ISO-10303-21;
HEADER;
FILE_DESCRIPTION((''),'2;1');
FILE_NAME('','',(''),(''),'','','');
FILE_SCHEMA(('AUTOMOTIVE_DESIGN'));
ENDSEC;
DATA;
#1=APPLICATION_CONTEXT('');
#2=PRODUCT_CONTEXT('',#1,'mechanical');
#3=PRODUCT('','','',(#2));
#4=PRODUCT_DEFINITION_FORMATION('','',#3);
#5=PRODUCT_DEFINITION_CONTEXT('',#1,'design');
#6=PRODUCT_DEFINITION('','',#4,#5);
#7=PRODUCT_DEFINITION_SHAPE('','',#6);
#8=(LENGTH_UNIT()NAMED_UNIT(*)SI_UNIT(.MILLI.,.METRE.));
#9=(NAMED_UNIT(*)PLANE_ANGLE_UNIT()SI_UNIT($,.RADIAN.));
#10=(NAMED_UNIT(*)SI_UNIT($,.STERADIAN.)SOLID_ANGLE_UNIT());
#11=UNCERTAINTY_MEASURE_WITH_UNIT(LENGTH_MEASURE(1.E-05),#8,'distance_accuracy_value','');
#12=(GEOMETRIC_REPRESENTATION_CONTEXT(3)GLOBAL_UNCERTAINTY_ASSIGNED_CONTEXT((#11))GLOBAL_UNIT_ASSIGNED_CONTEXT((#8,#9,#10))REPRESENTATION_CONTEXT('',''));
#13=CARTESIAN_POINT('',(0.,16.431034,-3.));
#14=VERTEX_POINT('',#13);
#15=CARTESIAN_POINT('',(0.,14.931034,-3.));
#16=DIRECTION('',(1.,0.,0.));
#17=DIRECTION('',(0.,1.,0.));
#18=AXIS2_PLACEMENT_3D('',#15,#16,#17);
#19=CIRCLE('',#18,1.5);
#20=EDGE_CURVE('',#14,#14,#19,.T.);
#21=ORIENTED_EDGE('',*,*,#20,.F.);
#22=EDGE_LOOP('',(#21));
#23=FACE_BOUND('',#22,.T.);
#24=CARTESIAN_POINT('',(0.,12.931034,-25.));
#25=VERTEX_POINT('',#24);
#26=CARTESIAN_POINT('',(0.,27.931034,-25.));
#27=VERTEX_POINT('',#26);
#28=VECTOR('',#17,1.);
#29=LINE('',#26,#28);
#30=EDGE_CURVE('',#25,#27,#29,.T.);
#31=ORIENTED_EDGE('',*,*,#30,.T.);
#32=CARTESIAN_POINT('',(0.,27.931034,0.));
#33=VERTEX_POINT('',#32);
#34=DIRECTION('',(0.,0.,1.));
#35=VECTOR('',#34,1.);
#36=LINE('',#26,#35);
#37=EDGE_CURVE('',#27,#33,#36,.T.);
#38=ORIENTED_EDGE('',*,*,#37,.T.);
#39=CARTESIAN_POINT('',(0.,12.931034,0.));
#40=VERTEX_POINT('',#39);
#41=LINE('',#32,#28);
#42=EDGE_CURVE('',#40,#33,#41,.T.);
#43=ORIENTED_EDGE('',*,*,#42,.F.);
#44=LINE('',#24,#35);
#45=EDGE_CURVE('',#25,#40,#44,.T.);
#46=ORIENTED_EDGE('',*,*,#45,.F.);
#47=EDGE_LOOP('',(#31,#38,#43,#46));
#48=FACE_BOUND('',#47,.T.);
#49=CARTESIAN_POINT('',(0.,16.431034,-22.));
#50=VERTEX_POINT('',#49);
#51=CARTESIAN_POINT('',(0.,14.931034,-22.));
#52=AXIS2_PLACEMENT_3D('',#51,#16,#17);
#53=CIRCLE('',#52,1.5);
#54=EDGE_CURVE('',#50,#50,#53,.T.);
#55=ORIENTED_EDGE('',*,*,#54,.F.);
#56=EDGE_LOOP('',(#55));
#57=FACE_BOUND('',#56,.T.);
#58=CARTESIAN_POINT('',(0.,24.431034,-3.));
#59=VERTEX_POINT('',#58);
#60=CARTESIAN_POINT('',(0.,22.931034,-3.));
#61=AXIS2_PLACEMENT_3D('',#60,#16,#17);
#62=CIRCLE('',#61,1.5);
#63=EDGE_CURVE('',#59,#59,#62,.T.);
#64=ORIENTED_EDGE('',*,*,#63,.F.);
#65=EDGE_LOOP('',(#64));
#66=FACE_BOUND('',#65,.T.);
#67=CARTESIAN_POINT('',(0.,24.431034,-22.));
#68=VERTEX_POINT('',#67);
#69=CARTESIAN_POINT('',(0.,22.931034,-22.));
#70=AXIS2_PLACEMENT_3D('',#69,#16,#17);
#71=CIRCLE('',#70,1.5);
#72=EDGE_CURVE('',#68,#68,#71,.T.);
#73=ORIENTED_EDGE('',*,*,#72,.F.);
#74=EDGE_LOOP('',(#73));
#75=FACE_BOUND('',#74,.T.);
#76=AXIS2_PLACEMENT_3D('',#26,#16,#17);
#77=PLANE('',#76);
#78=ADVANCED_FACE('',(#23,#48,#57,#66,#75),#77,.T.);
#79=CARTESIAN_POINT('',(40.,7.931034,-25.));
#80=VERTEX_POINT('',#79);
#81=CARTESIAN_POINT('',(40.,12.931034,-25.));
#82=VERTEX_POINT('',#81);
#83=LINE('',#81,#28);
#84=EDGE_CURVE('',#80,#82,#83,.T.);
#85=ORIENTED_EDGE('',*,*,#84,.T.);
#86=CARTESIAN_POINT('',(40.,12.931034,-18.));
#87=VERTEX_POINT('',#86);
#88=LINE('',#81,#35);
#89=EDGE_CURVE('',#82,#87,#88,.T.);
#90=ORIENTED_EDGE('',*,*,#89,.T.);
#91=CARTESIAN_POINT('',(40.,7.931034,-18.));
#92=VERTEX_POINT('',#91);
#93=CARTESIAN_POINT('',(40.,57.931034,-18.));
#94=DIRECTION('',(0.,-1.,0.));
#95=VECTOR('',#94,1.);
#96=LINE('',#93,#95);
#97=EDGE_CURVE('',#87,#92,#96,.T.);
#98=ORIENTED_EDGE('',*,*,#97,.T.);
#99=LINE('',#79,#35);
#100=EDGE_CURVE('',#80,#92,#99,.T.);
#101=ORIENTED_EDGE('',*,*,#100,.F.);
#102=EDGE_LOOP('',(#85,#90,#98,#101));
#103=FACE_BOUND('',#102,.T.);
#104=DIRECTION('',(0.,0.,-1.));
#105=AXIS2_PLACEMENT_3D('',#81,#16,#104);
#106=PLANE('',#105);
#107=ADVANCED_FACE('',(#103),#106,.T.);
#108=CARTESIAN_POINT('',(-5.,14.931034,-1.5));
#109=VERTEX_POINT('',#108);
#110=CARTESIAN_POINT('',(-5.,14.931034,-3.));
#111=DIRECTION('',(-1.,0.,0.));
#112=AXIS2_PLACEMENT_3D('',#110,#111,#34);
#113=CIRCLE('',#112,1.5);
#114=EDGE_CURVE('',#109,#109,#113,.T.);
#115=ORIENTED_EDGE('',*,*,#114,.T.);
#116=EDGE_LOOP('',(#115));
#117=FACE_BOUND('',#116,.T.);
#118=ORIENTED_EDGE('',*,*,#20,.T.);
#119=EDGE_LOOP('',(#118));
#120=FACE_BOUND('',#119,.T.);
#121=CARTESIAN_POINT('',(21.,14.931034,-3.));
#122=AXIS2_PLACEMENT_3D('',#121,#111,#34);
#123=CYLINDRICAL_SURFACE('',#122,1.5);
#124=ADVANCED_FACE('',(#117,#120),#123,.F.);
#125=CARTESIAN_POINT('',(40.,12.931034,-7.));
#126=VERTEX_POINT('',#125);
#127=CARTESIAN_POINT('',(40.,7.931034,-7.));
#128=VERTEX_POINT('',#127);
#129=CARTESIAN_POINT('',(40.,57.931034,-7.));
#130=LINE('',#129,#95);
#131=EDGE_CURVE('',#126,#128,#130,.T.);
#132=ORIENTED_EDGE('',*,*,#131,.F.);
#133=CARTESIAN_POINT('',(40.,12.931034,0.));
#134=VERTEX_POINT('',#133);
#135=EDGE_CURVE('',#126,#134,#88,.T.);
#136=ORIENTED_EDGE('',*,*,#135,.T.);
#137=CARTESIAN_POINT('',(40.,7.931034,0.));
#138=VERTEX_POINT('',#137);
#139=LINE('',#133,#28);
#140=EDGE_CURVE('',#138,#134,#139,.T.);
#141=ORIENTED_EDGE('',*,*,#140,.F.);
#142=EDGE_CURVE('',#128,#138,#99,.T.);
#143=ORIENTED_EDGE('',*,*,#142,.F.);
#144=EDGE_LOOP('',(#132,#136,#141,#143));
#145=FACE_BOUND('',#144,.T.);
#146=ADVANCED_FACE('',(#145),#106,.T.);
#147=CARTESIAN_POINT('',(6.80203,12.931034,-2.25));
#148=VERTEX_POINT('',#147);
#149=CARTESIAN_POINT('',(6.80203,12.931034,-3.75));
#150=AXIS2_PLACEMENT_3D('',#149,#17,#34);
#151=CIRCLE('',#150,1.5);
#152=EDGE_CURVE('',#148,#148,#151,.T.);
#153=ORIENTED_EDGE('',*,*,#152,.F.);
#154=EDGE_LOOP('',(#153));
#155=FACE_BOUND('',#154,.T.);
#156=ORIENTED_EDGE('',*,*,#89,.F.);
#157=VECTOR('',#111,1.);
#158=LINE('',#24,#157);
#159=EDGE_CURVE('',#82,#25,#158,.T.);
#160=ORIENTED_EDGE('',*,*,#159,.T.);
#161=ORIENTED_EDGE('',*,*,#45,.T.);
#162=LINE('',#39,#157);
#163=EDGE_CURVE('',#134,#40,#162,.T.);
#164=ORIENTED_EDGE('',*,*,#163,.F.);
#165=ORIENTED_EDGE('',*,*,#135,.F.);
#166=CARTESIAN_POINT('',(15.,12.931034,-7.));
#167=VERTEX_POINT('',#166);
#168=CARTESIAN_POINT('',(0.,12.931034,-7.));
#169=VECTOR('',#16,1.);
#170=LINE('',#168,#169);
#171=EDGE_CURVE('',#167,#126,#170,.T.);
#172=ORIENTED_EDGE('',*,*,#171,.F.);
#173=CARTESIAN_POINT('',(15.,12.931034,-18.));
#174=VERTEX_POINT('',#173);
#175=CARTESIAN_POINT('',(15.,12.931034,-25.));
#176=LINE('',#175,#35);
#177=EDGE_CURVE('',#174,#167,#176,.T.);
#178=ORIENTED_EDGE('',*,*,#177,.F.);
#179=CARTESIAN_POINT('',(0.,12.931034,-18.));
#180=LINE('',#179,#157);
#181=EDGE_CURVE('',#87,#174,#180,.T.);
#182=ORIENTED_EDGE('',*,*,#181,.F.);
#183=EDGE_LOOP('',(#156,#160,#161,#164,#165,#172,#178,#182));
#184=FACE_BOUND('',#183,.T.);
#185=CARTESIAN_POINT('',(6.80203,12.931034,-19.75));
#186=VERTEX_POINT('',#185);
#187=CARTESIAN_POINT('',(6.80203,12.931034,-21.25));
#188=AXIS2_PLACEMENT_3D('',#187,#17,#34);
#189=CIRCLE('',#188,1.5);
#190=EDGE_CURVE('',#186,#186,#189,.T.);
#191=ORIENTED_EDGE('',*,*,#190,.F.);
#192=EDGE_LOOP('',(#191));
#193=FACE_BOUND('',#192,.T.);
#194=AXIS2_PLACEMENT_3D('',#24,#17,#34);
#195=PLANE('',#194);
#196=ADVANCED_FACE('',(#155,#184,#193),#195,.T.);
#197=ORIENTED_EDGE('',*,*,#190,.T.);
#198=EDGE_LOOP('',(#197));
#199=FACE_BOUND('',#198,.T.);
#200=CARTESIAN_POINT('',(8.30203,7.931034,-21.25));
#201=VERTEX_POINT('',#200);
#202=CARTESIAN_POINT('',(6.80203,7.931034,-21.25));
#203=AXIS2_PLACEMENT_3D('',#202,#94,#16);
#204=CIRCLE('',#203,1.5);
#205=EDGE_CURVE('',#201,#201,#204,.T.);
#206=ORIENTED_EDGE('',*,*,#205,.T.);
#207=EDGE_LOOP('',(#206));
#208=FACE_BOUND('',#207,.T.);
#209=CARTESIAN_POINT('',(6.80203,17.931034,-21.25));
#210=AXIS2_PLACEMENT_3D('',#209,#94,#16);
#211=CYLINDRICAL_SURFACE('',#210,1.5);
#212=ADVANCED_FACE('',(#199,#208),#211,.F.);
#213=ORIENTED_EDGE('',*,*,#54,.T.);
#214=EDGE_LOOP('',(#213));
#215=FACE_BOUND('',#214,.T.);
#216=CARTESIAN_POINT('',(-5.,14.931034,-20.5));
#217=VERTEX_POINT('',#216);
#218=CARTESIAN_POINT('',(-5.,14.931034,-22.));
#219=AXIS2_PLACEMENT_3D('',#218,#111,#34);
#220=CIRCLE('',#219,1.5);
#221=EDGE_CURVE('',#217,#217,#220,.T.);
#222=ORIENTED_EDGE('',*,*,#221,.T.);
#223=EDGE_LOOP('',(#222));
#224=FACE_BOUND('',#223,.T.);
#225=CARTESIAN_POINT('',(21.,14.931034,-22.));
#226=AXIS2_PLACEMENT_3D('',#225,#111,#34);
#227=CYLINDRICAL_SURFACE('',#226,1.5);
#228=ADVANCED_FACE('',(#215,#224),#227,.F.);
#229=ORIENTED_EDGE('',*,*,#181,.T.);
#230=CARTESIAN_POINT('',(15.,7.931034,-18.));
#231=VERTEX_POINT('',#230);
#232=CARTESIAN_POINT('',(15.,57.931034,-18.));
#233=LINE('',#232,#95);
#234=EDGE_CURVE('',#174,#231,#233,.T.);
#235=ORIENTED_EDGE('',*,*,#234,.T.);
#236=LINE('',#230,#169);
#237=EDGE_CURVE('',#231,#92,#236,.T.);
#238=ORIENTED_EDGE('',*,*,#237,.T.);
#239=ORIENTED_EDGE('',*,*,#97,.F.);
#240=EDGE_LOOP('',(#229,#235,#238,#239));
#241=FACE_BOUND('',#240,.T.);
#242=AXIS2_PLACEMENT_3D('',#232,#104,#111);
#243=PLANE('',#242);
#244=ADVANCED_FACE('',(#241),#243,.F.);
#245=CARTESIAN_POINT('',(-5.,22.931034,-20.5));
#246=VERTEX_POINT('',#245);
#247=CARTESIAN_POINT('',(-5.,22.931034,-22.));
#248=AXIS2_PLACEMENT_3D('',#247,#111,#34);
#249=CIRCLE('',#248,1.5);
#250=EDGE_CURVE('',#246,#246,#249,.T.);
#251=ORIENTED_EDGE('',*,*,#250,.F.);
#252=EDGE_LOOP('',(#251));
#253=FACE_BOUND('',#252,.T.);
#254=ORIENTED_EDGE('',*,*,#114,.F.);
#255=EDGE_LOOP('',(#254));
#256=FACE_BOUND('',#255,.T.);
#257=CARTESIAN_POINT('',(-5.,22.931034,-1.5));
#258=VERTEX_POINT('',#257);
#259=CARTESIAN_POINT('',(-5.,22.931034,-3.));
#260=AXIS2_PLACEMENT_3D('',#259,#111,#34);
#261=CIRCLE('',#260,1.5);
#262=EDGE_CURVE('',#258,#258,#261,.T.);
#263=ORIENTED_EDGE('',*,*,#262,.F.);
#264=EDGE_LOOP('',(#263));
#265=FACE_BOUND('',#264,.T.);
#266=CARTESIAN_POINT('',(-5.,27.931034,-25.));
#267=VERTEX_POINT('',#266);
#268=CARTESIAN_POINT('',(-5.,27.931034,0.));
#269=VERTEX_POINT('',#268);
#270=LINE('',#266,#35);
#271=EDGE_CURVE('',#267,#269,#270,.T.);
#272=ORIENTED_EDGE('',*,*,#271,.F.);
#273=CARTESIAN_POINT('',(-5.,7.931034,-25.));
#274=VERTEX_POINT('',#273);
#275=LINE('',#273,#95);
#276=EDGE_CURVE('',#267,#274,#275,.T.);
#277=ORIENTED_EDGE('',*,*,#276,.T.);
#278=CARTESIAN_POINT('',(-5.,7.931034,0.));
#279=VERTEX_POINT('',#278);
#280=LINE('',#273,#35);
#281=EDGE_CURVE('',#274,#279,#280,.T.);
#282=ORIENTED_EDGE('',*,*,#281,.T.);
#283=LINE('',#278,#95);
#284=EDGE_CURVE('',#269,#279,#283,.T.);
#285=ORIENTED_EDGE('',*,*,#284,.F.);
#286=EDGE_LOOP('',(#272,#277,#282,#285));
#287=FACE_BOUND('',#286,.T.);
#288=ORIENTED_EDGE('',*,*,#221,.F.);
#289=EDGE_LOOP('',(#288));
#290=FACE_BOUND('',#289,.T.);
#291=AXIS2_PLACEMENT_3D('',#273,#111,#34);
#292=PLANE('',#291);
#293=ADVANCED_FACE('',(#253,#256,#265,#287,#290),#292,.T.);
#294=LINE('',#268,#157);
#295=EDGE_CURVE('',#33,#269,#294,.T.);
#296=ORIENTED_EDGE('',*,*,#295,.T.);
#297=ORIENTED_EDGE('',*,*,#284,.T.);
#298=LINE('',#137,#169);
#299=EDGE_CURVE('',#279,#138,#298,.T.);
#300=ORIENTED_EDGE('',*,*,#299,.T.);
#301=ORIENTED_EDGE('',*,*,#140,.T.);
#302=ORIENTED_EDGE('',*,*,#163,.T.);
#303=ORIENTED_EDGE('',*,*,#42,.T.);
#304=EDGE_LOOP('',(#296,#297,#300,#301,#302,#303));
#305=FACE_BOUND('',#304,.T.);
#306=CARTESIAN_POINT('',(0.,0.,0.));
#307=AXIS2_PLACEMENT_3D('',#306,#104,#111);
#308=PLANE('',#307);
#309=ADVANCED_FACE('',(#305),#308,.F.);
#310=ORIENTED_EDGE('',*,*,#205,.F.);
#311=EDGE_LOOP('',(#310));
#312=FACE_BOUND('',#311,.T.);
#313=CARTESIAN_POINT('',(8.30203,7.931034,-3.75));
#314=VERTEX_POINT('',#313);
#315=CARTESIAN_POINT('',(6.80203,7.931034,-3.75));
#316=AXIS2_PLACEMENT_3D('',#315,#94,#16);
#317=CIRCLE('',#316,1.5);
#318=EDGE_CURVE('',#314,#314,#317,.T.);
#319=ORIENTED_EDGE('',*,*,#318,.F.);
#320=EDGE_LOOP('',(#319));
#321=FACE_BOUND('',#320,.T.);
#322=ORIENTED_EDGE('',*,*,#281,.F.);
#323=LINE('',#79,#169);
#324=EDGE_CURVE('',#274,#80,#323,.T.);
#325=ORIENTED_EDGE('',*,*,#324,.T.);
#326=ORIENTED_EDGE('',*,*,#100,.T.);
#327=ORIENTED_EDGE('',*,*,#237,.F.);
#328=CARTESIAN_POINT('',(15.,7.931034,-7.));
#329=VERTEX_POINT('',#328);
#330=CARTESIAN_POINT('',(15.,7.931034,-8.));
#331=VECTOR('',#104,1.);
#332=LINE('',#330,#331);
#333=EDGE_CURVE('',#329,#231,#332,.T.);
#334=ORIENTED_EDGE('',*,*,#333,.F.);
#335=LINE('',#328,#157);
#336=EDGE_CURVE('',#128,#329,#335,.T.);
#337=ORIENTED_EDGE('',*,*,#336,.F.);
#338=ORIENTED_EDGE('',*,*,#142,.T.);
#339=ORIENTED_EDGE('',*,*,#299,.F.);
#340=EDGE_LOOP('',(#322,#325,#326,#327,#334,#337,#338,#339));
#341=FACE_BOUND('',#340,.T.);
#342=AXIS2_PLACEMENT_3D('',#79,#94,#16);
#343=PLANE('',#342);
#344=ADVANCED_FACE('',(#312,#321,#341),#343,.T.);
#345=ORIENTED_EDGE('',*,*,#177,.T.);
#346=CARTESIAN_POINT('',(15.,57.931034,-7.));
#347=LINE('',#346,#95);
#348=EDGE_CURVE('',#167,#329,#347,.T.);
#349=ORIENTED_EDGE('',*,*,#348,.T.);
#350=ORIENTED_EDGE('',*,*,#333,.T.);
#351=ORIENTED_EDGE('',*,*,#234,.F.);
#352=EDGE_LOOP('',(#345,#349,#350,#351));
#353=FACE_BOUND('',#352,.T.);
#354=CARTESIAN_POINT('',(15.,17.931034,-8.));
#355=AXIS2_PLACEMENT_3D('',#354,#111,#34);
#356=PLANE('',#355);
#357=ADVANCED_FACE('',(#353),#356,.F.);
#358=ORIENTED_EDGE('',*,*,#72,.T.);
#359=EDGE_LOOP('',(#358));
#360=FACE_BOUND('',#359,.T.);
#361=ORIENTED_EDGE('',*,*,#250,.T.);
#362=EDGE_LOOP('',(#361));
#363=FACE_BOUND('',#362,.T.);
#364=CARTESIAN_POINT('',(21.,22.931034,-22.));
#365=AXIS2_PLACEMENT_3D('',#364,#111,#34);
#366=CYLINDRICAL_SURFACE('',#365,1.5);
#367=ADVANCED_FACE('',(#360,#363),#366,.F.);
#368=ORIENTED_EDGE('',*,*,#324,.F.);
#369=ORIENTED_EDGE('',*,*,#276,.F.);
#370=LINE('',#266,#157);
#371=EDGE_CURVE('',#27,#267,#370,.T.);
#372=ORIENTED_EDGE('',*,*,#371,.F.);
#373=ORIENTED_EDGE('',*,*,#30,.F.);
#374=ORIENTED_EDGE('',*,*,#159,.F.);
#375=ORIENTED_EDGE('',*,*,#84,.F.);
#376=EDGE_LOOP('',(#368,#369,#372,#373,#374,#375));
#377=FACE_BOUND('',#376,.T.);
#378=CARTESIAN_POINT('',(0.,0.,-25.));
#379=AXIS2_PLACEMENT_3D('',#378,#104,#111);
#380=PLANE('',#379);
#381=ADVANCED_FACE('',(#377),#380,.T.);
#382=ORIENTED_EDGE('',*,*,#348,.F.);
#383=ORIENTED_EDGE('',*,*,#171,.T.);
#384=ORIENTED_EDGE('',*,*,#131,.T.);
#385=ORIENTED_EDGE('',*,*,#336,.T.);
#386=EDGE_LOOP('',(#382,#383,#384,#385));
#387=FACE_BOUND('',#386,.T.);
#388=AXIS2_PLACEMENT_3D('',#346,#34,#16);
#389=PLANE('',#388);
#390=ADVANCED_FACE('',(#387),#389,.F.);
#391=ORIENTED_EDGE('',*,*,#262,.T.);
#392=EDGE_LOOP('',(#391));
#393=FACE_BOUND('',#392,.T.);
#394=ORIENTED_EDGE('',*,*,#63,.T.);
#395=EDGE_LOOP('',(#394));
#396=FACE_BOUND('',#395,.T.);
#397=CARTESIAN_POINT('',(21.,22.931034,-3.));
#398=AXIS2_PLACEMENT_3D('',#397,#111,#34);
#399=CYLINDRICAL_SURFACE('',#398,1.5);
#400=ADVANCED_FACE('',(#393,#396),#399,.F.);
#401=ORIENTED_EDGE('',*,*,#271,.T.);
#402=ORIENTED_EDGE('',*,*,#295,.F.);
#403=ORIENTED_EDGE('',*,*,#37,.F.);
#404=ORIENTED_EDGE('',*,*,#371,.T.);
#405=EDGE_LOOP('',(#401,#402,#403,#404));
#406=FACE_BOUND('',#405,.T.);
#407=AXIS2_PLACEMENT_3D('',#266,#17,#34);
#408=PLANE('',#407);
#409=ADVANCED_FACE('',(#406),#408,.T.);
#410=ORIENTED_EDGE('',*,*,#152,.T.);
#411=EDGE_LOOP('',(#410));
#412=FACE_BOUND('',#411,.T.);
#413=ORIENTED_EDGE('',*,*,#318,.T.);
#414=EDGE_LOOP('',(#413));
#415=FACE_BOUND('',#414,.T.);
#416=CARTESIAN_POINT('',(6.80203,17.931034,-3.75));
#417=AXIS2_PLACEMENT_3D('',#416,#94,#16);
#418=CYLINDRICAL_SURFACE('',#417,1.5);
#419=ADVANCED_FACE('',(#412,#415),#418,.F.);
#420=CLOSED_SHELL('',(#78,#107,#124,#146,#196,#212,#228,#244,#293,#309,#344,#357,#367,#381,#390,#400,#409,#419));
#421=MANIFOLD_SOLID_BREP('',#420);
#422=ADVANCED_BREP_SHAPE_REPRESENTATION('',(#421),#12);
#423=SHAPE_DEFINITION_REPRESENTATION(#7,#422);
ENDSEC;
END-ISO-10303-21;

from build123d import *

# Parameters (mm, degrees)
BOSS_EXTRUDE1_DEPTH = 25
SKETCH2_R           = 1.5
CUT_EXTRUDE1_DEPTH  = 26
SKETCH3_R           = 1.5
SKETCH3_W           = 25
SKETCH3_H           = 9
CUT_EXTRUDE2_DEPTH  = 10
SKETCH5_W           = 25
SKETCH5_H           = 1
CUT_EXTRUDE3_DEPTH  = 50


with BuildPart() as part:
    # Sketch1 → Boss-Extrude1 (new body)
    with BuildSketch(Plane.XY):
        Polygon((0, 27.931034483), (0, 12.931034483), (40, 12.931034483), (40, 7.931034483), (-5, 7.931034483), (-5, 27.931034483), align=None)
    extrude(amount=-BOSS_EXTRUDE1_DEPTH)

    # Sketch2 → Cut-Extrude1 (cut)
    with BuildSketch(Plane.ZY.offset(5)):
        with Locations((-22, 22.931034483)):
            Circle(SKETCH2_R)
        with Locations((-3, 22.931034483)):
            Circle(SKETCH2_R)
        with Locations((-3, 14.931034483)):
            Circle(SKETCH2_R)
        with Locations((-22, 14.931034483)):
            Circle(SKETCH2_R)
    extrude(amount=-CUT_EXTRUDE1_DEPTH, mode=Mode.SUBTRACT)

    # Sketch3 → Cut-Extrude2 (cut)
    with BuildSketch(Plane.XZ.offset(-7.931034483)):
        with Locations((6.802030066, -3.75)):
            Circle(SKETCH3_R)
        with Locations((6.802030066, -21.25)):
            Circle(SKETCH3_R)
        with Locations((27.5, -12.5)):
            Rectangle(SKETCH3_W, SKETCH3_H)
    extrude(amount=-CUT_EXTRUDE2_DEPTH, mode=Mode.SUBTRACT)

    # Sketch5 → Cut-Extrude3 (cut)
    with BuildSketch(Plane.XZ.offset(-7.931034483)):
        with Locations((27.5, -7.5)):
            Rectangle(SKETCH5_W, SKETCH5_H)
        with Locations((27.5, -17.5)):
            Rectangle(SKETCH5_W, SKETCH5_H)
    extrude(amount=-CUT_EXTRUDE3_DEPTH, mode=Mode.SUBTRACT)


solid = part.part
